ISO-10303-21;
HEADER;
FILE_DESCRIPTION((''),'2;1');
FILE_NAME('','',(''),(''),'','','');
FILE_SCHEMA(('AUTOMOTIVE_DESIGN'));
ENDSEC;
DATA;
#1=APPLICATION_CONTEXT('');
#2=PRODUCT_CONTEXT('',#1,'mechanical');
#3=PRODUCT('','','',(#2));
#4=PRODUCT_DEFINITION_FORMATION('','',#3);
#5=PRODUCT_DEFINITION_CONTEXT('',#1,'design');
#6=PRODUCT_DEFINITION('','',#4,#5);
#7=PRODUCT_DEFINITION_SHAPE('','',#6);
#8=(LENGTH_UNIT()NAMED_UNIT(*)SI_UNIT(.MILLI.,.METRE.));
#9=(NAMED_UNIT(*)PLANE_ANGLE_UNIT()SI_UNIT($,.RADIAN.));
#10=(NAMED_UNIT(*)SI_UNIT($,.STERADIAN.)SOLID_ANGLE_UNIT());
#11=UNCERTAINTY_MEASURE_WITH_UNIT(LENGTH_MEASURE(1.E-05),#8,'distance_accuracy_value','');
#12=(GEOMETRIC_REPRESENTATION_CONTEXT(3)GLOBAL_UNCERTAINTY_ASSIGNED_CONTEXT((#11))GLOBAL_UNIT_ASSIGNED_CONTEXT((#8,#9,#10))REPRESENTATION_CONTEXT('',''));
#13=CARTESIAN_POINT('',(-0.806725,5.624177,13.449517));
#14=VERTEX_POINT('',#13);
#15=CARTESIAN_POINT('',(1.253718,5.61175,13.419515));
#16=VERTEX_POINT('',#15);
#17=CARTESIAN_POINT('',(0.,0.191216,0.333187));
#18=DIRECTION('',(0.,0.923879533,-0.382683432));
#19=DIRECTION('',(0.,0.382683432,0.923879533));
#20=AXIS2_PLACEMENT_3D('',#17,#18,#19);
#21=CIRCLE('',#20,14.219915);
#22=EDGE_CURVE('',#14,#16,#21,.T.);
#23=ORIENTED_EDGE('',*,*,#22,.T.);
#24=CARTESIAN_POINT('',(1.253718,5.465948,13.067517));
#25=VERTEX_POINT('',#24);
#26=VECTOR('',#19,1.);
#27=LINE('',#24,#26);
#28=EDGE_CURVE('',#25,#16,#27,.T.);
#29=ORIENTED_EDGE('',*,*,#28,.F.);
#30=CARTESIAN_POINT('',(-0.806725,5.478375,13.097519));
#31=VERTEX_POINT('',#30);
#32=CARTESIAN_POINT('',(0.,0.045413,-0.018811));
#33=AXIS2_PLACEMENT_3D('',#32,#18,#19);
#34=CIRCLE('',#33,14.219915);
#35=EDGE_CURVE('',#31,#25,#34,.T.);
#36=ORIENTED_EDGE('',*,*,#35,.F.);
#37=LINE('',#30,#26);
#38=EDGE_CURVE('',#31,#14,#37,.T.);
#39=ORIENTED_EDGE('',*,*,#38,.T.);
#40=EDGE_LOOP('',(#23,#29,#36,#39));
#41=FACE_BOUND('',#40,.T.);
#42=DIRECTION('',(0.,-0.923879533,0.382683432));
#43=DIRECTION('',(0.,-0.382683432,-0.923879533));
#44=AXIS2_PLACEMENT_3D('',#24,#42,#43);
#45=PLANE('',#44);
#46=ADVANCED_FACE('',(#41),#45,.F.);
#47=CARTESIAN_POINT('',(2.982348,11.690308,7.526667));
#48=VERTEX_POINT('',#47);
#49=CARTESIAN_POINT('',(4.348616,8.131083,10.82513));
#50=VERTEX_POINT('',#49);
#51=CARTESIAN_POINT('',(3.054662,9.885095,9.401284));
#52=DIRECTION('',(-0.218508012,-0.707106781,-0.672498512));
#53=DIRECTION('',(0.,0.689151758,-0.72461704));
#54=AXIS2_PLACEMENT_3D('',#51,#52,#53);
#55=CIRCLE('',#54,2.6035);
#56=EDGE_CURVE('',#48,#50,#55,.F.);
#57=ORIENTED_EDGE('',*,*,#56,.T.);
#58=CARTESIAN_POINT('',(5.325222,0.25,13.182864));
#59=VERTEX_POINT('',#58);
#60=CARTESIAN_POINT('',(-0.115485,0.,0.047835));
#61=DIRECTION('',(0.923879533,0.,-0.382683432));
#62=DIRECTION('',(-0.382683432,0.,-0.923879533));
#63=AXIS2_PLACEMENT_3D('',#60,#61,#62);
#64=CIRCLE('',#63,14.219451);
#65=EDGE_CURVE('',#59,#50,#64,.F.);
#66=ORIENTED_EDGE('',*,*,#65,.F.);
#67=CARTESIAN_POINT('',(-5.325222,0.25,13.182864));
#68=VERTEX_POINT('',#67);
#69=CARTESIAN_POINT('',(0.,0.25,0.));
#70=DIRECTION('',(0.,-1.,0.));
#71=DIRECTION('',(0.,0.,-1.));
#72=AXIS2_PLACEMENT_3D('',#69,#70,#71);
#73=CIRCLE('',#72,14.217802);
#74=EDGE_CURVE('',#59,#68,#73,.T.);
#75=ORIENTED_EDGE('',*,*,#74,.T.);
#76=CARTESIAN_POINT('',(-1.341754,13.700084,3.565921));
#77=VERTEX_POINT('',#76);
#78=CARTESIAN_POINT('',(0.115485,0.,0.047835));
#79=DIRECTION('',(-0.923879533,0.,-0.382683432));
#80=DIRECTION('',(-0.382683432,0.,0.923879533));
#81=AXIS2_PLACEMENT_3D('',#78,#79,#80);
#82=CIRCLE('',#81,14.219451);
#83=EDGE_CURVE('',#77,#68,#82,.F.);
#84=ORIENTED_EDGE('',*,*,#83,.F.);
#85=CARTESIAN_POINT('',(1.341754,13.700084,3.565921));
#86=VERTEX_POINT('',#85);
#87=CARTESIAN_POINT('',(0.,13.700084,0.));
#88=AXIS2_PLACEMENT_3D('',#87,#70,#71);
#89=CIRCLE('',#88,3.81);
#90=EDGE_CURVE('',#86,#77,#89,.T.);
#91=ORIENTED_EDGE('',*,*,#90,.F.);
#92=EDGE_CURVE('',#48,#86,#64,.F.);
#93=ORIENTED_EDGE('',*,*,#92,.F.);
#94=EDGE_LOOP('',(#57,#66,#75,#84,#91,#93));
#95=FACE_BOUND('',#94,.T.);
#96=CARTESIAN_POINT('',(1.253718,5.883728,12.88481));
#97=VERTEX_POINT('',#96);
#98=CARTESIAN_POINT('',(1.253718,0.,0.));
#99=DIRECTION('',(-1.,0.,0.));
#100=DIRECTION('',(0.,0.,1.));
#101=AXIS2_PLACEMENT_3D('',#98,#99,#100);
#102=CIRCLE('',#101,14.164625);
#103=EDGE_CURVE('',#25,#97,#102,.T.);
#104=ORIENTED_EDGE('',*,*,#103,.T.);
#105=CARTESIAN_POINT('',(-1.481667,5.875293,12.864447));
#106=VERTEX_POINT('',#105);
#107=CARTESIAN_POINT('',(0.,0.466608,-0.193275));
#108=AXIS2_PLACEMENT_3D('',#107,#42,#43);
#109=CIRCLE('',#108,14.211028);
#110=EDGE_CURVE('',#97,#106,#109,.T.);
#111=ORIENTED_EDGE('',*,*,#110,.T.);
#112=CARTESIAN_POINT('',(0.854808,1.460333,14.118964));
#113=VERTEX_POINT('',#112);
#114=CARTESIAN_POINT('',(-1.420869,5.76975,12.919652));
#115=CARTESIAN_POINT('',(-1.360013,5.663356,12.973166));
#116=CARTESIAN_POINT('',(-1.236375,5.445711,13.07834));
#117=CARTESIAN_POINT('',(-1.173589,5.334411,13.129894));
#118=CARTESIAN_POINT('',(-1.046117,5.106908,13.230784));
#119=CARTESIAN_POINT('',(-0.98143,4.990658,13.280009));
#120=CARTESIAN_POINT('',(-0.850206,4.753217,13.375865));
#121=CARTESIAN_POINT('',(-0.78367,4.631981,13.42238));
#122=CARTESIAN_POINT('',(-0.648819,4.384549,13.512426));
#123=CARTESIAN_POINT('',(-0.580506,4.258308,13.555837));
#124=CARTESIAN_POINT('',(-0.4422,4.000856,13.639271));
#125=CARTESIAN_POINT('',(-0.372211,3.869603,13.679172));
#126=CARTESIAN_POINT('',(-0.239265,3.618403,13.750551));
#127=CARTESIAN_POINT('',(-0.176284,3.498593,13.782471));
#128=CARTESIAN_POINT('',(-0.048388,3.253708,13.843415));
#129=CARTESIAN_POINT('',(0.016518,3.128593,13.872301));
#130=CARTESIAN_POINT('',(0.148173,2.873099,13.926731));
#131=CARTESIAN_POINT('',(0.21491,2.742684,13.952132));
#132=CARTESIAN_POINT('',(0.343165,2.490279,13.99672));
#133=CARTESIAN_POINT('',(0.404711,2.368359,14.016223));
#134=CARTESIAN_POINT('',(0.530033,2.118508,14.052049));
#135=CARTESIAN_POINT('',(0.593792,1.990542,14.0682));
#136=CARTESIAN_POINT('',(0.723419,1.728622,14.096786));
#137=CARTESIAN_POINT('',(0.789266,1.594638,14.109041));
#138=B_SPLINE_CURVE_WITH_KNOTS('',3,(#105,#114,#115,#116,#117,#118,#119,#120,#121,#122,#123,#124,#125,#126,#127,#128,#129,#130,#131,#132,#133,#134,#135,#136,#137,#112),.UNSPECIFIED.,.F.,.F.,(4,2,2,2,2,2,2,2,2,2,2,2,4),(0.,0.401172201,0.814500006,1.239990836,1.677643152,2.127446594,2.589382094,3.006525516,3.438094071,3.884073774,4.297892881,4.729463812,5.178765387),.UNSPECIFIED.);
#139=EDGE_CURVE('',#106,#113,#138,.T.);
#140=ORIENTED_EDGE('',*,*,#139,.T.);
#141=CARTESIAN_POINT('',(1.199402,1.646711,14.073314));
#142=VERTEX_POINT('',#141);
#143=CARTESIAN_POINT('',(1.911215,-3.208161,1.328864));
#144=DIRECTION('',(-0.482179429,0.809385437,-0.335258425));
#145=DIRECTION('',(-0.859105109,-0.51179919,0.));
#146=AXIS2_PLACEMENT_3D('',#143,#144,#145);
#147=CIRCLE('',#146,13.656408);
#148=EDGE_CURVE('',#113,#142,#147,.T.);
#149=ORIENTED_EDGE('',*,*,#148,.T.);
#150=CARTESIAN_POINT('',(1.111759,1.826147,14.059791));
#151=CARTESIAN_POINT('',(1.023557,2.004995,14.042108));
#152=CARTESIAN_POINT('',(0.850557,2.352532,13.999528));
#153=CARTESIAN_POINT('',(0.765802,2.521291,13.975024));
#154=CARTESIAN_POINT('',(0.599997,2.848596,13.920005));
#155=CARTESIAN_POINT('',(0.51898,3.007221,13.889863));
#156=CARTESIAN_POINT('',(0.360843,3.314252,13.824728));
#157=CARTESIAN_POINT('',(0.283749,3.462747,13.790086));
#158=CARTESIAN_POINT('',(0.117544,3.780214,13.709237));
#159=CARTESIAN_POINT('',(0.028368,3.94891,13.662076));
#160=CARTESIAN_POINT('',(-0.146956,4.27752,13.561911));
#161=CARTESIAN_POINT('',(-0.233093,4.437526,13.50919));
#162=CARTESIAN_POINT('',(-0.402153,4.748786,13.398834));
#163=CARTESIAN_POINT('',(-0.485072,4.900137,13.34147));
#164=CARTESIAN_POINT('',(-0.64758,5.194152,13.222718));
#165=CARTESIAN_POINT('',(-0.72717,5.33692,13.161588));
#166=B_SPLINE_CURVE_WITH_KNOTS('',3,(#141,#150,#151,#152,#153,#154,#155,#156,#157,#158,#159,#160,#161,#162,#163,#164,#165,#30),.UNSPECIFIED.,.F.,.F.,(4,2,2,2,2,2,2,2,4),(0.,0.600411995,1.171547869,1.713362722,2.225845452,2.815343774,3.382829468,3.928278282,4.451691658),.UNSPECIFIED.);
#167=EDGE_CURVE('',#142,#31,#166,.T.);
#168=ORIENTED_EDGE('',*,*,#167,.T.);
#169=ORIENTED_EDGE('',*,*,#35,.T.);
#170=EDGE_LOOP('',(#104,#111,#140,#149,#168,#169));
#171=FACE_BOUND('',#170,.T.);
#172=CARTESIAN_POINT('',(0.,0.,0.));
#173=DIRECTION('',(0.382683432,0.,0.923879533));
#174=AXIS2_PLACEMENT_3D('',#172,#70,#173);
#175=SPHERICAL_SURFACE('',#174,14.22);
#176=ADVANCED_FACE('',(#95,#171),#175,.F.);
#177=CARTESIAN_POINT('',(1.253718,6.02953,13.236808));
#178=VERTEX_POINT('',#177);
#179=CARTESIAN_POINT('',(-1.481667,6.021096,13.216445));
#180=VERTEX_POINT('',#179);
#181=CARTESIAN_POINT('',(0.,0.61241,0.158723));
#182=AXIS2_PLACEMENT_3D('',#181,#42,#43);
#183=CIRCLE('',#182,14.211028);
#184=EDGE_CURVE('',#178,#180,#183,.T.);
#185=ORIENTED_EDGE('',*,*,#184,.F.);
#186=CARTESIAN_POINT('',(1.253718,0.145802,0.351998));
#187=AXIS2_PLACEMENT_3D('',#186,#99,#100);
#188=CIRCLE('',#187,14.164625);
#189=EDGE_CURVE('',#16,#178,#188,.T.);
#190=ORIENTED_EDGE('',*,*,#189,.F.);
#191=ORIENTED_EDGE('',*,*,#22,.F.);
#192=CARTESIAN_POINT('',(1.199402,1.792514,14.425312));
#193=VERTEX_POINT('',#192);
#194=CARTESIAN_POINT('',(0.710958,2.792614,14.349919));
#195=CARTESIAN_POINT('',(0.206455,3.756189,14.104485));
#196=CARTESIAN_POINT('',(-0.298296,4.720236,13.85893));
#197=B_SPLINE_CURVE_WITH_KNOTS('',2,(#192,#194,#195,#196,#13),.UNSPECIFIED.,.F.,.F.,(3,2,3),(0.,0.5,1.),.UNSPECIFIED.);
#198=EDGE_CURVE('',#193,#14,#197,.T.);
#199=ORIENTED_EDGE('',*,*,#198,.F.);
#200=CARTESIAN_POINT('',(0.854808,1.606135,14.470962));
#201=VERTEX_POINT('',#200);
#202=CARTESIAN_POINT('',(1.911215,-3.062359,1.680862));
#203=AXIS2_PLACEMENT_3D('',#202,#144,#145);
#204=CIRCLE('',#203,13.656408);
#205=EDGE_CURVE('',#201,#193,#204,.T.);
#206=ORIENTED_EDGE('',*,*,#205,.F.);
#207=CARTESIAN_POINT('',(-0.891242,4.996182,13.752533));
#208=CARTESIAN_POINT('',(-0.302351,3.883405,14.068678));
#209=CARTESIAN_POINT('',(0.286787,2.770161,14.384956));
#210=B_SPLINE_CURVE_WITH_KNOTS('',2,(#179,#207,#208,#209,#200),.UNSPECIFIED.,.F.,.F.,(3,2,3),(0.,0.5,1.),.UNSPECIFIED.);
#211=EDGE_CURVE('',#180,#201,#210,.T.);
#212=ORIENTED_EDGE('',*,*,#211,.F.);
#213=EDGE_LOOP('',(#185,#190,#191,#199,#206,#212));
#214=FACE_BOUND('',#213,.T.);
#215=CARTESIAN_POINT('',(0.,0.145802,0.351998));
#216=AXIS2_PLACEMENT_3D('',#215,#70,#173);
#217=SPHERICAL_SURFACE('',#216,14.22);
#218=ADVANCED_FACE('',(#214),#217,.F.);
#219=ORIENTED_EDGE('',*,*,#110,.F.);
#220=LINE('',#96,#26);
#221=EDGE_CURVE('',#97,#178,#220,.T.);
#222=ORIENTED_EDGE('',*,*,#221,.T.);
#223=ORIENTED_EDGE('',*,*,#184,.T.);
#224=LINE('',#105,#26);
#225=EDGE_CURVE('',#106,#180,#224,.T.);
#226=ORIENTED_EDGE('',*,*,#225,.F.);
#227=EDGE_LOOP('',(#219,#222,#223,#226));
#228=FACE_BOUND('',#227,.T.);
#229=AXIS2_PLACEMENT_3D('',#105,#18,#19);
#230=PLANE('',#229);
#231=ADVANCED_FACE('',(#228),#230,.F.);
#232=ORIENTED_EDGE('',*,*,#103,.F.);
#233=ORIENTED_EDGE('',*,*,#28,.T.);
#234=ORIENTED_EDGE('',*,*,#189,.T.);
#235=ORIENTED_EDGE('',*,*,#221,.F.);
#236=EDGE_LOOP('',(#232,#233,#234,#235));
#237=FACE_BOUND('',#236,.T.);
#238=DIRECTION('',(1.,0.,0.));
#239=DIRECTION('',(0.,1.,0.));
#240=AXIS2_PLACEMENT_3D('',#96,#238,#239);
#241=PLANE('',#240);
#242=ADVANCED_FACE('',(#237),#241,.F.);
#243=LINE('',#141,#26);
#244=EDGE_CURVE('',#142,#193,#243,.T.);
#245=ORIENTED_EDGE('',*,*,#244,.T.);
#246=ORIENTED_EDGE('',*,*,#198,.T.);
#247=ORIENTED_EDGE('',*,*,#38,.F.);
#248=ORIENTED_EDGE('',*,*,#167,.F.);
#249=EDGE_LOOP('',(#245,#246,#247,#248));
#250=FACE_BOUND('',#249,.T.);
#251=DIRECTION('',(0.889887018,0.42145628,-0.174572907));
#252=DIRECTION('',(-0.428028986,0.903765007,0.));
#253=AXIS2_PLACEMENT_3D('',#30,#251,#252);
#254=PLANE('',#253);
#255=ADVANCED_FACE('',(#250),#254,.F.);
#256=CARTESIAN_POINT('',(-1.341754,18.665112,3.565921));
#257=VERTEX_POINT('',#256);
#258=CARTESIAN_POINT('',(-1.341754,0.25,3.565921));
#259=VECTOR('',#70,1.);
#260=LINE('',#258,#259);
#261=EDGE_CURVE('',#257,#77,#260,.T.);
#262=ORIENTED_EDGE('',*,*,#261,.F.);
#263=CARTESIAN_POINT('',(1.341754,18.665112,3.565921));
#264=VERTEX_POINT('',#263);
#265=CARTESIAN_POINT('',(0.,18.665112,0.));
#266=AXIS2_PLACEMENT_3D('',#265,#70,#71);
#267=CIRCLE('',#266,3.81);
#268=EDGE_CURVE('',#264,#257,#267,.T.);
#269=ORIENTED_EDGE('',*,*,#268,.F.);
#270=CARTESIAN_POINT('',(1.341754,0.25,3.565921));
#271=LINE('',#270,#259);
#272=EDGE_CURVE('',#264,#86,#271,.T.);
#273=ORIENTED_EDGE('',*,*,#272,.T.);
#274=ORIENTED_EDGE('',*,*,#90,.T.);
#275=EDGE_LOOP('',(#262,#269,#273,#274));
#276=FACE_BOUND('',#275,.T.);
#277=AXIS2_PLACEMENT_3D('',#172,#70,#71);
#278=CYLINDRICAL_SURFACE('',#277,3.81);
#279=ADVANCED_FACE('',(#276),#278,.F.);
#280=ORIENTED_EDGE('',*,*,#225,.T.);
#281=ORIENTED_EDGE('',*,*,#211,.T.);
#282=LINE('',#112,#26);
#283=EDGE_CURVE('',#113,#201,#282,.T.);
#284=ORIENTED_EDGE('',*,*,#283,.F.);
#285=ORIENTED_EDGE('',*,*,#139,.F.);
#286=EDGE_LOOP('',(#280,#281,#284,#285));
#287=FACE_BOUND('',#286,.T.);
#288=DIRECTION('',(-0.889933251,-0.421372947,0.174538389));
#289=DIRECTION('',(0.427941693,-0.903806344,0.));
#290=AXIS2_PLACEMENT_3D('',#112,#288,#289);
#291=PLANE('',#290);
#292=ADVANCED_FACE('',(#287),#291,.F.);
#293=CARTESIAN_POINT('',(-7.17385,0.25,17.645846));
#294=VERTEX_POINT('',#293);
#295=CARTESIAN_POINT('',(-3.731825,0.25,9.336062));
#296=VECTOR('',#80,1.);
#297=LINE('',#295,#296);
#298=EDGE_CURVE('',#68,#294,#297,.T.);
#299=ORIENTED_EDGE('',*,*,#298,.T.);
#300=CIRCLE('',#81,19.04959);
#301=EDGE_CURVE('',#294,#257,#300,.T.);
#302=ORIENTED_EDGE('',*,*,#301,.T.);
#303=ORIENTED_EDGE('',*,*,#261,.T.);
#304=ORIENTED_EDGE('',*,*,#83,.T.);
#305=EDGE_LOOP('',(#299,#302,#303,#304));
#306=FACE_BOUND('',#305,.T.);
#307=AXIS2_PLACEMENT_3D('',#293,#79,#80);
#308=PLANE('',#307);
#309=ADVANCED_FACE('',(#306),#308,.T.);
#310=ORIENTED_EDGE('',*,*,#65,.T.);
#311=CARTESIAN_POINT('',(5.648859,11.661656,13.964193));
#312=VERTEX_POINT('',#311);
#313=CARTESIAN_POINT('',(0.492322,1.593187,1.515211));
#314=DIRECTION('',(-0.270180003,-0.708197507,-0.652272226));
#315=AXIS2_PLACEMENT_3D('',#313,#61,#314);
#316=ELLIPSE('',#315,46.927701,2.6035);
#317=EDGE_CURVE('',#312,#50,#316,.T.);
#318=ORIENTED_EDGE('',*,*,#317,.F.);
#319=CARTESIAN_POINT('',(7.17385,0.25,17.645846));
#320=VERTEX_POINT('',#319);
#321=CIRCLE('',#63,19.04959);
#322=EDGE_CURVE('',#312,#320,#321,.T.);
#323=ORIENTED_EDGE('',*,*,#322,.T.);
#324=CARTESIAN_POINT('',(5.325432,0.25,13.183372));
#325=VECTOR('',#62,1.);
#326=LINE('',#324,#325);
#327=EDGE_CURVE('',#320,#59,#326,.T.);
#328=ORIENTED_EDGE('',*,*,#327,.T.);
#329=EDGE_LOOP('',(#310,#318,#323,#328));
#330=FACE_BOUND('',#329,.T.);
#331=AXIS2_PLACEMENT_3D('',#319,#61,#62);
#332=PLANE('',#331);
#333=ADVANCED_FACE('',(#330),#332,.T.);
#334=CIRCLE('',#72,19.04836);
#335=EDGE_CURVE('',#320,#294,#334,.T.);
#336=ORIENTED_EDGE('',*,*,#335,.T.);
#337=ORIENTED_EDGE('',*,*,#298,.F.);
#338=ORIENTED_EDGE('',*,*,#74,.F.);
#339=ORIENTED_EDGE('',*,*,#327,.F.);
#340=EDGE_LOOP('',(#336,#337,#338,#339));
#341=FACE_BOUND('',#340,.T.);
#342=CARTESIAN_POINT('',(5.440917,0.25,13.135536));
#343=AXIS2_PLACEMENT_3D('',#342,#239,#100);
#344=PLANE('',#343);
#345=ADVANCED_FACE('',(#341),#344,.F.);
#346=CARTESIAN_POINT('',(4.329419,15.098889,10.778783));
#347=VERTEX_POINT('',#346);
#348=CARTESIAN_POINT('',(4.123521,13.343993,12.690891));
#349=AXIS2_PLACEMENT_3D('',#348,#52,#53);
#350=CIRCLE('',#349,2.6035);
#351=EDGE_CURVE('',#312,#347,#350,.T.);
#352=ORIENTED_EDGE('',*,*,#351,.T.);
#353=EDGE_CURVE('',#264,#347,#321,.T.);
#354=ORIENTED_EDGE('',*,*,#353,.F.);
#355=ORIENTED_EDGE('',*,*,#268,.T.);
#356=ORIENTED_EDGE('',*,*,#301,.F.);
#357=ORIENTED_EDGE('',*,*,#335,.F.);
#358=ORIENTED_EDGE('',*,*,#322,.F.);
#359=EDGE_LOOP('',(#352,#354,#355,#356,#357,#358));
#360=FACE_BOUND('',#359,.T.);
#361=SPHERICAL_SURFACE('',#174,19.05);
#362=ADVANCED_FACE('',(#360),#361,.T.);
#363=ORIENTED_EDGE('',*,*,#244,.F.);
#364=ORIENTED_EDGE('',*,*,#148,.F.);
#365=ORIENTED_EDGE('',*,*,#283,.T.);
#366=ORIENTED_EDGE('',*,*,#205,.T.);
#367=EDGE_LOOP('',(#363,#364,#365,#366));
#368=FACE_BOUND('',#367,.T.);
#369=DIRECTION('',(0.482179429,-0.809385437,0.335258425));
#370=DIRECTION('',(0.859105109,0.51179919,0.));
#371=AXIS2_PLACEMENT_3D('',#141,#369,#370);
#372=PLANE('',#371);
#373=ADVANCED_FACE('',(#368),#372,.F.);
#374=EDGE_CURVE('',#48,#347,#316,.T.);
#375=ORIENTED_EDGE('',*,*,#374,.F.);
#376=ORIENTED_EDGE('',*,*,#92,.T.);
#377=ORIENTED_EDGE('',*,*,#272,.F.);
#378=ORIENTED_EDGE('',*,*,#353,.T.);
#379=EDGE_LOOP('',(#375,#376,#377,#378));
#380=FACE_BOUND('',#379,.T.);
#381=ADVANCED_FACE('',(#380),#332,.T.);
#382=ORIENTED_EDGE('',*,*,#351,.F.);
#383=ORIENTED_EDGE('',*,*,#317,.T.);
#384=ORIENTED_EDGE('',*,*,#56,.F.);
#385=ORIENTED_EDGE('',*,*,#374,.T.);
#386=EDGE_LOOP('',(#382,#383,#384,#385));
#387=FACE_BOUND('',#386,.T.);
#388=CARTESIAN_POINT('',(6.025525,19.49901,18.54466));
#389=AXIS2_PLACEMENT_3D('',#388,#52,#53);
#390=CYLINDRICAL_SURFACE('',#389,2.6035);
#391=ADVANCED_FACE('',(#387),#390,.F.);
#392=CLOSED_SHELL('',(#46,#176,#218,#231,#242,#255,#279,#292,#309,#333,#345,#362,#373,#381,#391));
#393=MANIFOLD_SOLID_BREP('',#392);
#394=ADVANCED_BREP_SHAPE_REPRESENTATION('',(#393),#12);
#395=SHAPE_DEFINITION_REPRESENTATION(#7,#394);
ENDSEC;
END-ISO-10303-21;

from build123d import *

# Parameters (mm, degrees)
REVOLVE1_ANGLE            = 45
CUT_EXTRUDE1_DEPTH        = 28.647117169
CUT_EXTRUDE1_DEPTH_BACK   = 28.647117169
CUT_EXTRUDE4_REACH        = 29.998
CUT_EXTRUDE4_START_RADIUS = 14.22
CUT_EXTRUDE4_END_RADIUS   = 14.22
CUT_EXTRUDE5_DEPTH        = 27.866361913
CUT_EXTRUDE5_DEPTH_BACK   = 27.866361913
SKETCH9_R                 = 2.6035


with BuildPart() as part:
    # Sketch1 → Revolve1 (revolve, symmetric)
    with BuildSketch(Plane(origin=(0, 0, 0), x_dir=(0, 0, -1), z_dir=(1, 0, 0))) as revolve1_sk:
        with BuildLine():
            Line((-14.217802221, 0.25), (-19.048359509, 0.25))
            ThreePointArc((-19.048359509, 0.25), (-14.676690222, 12.144845166), (-3.81, 18.66511184))
            Line((-3.81, 18.66511184), (-3.81, 13.700083941))
            ThreePointArc((-3.81, 13.700083941), (-11.246181696, 8.70240181), (-14.217802221, 0.25))
        make_face()
    revolve(axis=Axis((0, 0, 0), (0, 1, 0)), revolution_arc=REVOLVE1_ANGLE / 2)
    revolve(revolve1_sk.sketch, axis=Axis((0, 0, 0), (0, -1, 0)), revolution_arc=REVOLVE1_ANGLE / 2)

    # Sketch2 → Cut-Extrude1 (cut, two sides: drawn at the far end of the back side and taken through both)
    with BuildSketch(Plane(origin=(0, 0, 0), x_dir=(1, 0, 0), z_dir=(0, 1, 0)).offset(-CUT_EXTRUDE1_DEPTH_BACK)):
        with BuildLine():
            Line((7.289491598, -17.598389479), (1.458023877, -3.519981019))
            ThreePointArc((1.458023877, -3.519981019), (1.400077392, -3.543428184), (1.341754023, -3.5659215))
            Line((1.341754023, -3.5659215), (7.173849701, -17.645845983))
            ThreePointArc((7.173849701, -17.645845983), (7.231709577, -17.622212591), (7.289491598, -17.598389479))
        make_face()
        with BuildLine():
            Line((-7.173849701, -17.645845983), (-1.341754023, -3.5659215))
            ThreePointArc((-1.341754023, -3.5659215), (-1.400077392, -3.543428184), (-1.458023877, -3.519981019))
            Line((-1.458023877, -3.519981019), (-7.289491598, -17.598389479))
            ThreePointArc((-7.289491598, -17.598389479), (-7.231709577, -17.622212591), (-7.173849701, -17.645845983))
        make_face()
    extrude(amount=CUT_EXTRUDE1_DEPTH + CUT_EXTRUDE1_DEPTH_BACK, mode=Mode.SUBTRACT)

    # Cut-Extrude4: from a sphere face, 29.998 long prism both ways, kept between that surface and its translate by the depth
    cut_extrude4_start = Location((0, 0, 0)) * Sphere(CUT_EXTRUDE4_START_RADIUS, mode=Mode.PRIVATE)
    cut_extrude4_end = Location((0, 0.145802388, 0.351998102)) * Sphere(CUT_EXTRUDE4_END_RADIUS, mode=Mode.PRIVATE)
    # Sketch8 → Cut-Extrude4 (cut, from a surface)
    with BuildSketch(Plane(origin=(0, 0, 0), x_dir=(-1, 0, 0), z_dir=(0, 0.3826834323650899, 0.9238795325112868)), mode=Mode.PRIVATE) as cut_extrude4_sk1:
        Polygon((-1.253717949, -0.505052528), (1.481666667, -0.505052528), (-0.854807692, 4.053921831), (-1.199402043, 3.864261374), (0.80672476, -0.049155093), (-1.253717949, -0.049155093), align=None)
    cut_extrude4_tool1 = extrude(cut_extrude4_sk1.sketch, amount=CUT_EXTRUDE4_REACH, both=True, mode=Mode.PRIVATE)
    add(((cut_extrude4_tool1 - cut_extrude4_start) & cut_extrude4_end).solids().sort_by_distance((-0.113974, 5.809704, 12.845032))[0], mode=Mode.SUBTRACT)

    # Sketch9 → Cut-Extrude5 (cut, two sides: drawn at the far end of the back side and taken through both)
    with BuildSketch(Plane(origin=(5.827608686, 18.858537854, 17.935535314), x_dir=(-0.8206892018836905, -0.23968096505674552, 0.5186735668038023), z_dir=(-0.2185080122244017, -0.7071067811865477, -0.67249851196396)).offset(-CUT_EXTRUDE5_DEPTH_BACK)):
        Circle(SKETCH9_R)
    extrude(amount=CUT_EXTRUDE5_DEPTH + CUT_EXTRUDE5_DEPTH_BACK, mode=Mode.SUBTRACT)


solid = part.part
